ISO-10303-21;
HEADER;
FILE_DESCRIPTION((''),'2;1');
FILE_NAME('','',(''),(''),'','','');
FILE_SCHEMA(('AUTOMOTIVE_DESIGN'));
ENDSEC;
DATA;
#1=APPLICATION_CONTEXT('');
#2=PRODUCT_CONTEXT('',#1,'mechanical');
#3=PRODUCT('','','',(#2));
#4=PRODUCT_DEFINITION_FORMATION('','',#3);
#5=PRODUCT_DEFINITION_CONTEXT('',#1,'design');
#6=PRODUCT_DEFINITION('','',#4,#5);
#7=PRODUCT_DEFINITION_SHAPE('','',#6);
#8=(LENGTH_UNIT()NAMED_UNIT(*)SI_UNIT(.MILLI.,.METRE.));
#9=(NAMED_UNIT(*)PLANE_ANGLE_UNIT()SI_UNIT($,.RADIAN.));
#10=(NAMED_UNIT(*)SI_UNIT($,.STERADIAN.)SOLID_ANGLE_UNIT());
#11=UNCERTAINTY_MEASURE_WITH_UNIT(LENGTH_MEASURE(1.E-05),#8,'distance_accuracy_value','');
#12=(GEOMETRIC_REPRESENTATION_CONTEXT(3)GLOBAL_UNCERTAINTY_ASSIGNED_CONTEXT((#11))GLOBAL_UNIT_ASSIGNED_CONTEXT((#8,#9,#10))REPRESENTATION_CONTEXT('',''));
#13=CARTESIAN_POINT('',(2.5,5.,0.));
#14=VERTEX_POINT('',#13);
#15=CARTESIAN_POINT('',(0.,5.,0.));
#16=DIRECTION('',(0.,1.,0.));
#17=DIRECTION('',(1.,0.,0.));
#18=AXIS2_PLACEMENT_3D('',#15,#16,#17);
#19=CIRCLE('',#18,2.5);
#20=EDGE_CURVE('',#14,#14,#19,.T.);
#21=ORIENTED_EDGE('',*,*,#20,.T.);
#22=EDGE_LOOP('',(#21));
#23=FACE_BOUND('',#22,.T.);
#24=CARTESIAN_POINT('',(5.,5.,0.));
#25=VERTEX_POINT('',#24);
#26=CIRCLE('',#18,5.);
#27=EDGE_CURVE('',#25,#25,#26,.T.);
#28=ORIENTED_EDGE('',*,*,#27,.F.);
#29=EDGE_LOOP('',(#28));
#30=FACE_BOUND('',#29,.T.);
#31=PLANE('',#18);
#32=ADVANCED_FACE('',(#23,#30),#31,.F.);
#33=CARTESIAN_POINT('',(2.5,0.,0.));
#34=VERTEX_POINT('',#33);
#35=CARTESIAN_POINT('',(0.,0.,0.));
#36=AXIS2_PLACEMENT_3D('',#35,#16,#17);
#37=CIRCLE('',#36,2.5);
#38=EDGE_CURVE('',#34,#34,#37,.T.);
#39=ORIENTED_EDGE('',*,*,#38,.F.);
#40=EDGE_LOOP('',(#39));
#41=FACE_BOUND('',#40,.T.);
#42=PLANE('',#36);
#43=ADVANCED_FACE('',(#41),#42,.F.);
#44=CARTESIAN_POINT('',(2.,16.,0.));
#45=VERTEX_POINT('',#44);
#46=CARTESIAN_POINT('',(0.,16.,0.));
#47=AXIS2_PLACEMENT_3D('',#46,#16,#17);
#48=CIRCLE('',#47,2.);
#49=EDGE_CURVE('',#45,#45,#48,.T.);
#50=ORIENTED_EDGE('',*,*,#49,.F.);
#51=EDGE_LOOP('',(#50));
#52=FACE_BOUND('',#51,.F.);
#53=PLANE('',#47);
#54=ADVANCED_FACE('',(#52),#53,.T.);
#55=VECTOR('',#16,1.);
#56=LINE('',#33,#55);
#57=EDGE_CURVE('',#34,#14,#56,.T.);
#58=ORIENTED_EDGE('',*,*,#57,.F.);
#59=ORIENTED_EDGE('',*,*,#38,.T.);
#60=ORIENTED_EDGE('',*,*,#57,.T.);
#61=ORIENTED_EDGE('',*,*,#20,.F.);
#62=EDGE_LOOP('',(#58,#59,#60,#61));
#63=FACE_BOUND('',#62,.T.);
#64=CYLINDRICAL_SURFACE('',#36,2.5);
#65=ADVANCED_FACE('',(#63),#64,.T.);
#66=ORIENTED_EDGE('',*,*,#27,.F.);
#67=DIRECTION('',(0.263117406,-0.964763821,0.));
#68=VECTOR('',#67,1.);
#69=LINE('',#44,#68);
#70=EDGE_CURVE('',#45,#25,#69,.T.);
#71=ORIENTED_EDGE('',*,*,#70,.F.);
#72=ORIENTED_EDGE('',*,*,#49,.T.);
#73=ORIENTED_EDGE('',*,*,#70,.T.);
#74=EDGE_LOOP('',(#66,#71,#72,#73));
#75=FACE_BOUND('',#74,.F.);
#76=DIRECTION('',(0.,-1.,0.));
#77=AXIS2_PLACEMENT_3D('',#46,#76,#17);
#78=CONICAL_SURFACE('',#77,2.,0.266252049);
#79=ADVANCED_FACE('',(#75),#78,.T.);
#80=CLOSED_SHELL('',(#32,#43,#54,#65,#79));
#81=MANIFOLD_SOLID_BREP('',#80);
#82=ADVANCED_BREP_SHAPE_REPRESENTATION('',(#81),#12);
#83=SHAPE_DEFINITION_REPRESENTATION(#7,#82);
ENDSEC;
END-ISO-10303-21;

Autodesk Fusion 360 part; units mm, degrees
sketch "Sketch1" plane through (0, 0, 0) normal (0, 0, 1) x (1, 0, 0)
  line L0 (0, 0) -> (2.5, 0)
  line L1 (2.5, 0) -> (2.5, 5)
  line L2 (2.5, 5) -> (5, 5)
  line L3 (0, 0) -> (0, 16)
  line L4 (0, 16) -> (2, 16)
  line L5 (2, 16) -> (5, 5)
revolve "Revolve1" add sketch "Sketch1" angle 360 about axis through (0, 0, 0) along (0, 1, 0)
